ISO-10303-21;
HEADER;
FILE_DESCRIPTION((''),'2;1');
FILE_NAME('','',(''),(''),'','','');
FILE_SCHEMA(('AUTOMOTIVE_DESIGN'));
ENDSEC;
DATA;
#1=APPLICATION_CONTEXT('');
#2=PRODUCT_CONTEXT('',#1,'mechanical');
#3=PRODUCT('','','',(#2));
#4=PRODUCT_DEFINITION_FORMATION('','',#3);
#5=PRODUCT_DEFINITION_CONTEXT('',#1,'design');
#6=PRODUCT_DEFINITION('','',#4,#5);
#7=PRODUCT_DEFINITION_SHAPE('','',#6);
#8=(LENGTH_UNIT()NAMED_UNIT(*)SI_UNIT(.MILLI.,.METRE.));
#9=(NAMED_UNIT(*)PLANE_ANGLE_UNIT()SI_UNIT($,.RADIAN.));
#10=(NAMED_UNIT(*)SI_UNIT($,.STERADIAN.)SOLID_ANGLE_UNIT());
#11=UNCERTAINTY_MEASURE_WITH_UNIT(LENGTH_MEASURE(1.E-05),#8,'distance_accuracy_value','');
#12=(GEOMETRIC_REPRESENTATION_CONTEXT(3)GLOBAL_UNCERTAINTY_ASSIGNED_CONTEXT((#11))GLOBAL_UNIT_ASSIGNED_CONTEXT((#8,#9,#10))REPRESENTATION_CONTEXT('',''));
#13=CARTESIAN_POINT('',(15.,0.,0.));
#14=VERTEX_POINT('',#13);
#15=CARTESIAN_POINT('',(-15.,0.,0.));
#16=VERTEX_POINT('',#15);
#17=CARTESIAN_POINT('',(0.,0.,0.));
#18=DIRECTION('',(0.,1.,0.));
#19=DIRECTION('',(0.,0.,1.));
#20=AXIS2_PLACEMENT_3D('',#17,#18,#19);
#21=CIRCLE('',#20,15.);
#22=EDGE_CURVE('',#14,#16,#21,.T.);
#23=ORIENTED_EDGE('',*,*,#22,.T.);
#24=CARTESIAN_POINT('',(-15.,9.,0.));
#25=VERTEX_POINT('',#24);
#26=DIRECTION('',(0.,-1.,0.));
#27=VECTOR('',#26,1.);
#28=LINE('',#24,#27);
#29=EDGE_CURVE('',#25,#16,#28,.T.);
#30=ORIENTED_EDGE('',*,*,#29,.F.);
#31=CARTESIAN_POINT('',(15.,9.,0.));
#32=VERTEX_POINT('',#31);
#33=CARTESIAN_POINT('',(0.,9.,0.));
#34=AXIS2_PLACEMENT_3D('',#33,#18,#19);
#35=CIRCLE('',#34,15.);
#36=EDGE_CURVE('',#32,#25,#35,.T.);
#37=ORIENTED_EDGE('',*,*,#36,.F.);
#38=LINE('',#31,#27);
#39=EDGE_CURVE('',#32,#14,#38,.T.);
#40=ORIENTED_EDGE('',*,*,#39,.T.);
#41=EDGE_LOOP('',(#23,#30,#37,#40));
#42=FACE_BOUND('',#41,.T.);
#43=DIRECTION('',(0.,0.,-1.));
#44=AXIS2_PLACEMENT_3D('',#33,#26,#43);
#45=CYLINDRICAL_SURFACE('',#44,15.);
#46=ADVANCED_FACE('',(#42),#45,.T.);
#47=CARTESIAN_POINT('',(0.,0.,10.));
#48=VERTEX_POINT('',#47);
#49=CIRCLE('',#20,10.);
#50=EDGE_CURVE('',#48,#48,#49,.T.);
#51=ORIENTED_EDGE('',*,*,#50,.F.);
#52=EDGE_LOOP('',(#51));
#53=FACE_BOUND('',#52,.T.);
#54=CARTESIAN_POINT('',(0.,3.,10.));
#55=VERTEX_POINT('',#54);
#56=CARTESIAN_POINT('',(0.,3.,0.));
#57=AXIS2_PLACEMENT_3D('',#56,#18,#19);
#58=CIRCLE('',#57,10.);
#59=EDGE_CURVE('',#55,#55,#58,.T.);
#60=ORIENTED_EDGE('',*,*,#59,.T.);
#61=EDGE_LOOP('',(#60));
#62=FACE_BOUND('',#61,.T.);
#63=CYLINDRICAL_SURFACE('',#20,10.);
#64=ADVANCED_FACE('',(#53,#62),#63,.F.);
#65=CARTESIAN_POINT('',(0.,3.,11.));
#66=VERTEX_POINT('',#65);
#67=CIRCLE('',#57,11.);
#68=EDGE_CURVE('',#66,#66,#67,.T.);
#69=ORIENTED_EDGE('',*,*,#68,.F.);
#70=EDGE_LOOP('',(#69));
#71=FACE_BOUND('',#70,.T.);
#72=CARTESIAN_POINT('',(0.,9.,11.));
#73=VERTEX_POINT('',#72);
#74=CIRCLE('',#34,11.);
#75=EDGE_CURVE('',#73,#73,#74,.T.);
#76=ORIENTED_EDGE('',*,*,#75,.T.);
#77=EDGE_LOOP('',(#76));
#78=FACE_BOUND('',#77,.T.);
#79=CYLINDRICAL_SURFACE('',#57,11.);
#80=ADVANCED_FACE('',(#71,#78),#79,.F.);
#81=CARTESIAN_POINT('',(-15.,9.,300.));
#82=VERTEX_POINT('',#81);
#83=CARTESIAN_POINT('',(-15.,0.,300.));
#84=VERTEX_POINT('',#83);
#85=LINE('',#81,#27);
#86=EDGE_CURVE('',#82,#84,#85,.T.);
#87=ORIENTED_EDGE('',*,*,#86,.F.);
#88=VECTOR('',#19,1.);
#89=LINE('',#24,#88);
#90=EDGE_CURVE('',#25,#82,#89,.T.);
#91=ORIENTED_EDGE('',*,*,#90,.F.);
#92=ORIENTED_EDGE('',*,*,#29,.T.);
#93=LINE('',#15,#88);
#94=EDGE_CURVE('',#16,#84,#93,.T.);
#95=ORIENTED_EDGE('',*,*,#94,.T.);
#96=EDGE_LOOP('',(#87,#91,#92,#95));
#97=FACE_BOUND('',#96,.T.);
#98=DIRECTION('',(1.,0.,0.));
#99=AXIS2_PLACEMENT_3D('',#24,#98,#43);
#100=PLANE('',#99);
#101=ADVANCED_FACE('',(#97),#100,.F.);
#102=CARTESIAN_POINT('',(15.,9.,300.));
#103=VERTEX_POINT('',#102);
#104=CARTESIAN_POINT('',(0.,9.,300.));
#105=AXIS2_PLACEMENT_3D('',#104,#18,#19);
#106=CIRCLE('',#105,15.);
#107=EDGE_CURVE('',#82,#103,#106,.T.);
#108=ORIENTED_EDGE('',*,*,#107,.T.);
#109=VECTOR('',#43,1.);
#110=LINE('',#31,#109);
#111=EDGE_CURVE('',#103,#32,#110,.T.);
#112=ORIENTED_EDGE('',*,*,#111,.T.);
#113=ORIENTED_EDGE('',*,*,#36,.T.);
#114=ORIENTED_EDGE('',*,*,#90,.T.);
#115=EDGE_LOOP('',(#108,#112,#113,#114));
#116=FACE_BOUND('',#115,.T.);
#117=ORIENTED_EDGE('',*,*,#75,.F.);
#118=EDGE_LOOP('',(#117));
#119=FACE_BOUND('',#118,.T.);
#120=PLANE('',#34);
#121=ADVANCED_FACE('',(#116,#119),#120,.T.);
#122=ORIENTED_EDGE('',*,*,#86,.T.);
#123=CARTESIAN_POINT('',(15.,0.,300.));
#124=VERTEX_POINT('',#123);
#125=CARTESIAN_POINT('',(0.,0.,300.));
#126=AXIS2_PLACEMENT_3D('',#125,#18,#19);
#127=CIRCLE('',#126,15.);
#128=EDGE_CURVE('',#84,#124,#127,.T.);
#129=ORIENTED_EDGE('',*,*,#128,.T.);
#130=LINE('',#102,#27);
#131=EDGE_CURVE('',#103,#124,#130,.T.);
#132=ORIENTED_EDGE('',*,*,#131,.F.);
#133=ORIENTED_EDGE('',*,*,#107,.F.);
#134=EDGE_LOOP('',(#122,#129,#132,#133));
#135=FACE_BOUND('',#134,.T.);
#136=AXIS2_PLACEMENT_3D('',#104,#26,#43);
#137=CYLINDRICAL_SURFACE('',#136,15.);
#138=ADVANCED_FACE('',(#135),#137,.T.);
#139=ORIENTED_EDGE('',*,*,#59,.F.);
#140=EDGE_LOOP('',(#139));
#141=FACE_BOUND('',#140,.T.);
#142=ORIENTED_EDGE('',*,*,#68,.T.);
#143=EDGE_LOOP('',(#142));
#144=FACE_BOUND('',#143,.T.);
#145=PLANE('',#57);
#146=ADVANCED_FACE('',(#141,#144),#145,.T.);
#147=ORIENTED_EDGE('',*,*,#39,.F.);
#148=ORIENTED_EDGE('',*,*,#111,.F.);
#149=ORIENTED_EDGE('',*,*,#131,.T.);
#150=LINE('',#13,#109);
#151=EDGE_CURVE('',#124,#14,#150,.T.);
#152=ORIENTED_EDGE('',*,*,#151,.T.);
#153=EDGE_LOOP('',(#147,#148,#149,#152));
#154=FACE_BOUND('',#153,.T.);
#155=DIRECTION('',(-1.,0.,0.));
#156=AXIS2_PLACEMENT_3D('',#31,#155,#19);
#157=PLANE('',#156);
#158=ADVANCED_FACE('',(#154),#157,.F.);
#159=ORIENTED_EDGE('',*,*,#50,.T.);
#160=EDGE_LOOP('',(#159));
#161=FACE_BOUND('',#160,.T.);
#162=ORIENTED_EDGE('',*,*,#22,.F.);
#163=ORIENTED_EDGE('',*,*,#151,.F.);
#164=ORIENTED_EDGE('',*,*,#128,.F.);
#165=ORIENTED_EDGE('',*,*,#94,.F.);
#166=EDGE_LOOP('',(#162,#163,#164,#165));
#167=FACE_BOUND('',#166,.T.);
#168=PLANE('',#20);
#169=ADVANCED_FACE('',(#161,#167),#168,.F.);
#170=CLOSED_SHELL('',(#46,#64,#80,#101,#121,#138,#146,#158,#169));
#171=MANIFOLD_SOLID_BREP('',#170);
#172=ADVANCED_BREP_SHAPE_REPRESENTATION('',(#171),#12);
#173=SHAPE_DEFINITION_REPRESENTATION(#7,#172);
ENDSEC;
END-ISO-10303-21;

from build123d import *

# Parameters (mm, degrees)
EXTRUDE_1_DEPTH     = 9
SKETCH_3_R          = 11
CUT_EXTRUDE_1_DEPTH = 6
SKETCH_4_R          = 10
CUT_EXTRUDE_2_DEPTH = 4


with BuildPart() as part:
    # 스케치2 → 보스-돌출1 (new body)
    with BuildSketch(Plane(origin=(0, 0, 0), x_dir=(1, 0, 0), z_dir=(0, 1, 0))):
        with BuildLine():
            Line((-15, 0), (-15, -300))
            ThreePointArc((-15, -300), (0, -315), (15, -300))
            Line((15, -300), (15, 0))
            ThreePointArc((15, 0), (0, 15), (-15, 0))
        make_face()
    extrude(amount=EXTRUDE_1_DEPTH)

    # 스케치3 → 컷-돌출1 (cut)
    with BuildSketch(Plane(origin=(0, 9, 0), x_dir=(1, 0, 0), z_dir=(0, 1, 0))):
        Circle(SKETCH_3_R)
    extrude(amount=-CUT_EXTRUDE_1_DEPTH, mode=Mode.SUBTRACT)

    # 스케치4 → 컷-돌출2 (cut, through all)
    with BuildSketch(Plane(origin=(0, 3, 0), x_dir=(1, 0, 0), z_dir=(0, 1, 0))):
        Circle(SKETCH_4_R)
    extrude(amount=-CUT_EXTRUDE_2_DEPTH, mode=Mode.SUBTRACT)


solid = part.part
